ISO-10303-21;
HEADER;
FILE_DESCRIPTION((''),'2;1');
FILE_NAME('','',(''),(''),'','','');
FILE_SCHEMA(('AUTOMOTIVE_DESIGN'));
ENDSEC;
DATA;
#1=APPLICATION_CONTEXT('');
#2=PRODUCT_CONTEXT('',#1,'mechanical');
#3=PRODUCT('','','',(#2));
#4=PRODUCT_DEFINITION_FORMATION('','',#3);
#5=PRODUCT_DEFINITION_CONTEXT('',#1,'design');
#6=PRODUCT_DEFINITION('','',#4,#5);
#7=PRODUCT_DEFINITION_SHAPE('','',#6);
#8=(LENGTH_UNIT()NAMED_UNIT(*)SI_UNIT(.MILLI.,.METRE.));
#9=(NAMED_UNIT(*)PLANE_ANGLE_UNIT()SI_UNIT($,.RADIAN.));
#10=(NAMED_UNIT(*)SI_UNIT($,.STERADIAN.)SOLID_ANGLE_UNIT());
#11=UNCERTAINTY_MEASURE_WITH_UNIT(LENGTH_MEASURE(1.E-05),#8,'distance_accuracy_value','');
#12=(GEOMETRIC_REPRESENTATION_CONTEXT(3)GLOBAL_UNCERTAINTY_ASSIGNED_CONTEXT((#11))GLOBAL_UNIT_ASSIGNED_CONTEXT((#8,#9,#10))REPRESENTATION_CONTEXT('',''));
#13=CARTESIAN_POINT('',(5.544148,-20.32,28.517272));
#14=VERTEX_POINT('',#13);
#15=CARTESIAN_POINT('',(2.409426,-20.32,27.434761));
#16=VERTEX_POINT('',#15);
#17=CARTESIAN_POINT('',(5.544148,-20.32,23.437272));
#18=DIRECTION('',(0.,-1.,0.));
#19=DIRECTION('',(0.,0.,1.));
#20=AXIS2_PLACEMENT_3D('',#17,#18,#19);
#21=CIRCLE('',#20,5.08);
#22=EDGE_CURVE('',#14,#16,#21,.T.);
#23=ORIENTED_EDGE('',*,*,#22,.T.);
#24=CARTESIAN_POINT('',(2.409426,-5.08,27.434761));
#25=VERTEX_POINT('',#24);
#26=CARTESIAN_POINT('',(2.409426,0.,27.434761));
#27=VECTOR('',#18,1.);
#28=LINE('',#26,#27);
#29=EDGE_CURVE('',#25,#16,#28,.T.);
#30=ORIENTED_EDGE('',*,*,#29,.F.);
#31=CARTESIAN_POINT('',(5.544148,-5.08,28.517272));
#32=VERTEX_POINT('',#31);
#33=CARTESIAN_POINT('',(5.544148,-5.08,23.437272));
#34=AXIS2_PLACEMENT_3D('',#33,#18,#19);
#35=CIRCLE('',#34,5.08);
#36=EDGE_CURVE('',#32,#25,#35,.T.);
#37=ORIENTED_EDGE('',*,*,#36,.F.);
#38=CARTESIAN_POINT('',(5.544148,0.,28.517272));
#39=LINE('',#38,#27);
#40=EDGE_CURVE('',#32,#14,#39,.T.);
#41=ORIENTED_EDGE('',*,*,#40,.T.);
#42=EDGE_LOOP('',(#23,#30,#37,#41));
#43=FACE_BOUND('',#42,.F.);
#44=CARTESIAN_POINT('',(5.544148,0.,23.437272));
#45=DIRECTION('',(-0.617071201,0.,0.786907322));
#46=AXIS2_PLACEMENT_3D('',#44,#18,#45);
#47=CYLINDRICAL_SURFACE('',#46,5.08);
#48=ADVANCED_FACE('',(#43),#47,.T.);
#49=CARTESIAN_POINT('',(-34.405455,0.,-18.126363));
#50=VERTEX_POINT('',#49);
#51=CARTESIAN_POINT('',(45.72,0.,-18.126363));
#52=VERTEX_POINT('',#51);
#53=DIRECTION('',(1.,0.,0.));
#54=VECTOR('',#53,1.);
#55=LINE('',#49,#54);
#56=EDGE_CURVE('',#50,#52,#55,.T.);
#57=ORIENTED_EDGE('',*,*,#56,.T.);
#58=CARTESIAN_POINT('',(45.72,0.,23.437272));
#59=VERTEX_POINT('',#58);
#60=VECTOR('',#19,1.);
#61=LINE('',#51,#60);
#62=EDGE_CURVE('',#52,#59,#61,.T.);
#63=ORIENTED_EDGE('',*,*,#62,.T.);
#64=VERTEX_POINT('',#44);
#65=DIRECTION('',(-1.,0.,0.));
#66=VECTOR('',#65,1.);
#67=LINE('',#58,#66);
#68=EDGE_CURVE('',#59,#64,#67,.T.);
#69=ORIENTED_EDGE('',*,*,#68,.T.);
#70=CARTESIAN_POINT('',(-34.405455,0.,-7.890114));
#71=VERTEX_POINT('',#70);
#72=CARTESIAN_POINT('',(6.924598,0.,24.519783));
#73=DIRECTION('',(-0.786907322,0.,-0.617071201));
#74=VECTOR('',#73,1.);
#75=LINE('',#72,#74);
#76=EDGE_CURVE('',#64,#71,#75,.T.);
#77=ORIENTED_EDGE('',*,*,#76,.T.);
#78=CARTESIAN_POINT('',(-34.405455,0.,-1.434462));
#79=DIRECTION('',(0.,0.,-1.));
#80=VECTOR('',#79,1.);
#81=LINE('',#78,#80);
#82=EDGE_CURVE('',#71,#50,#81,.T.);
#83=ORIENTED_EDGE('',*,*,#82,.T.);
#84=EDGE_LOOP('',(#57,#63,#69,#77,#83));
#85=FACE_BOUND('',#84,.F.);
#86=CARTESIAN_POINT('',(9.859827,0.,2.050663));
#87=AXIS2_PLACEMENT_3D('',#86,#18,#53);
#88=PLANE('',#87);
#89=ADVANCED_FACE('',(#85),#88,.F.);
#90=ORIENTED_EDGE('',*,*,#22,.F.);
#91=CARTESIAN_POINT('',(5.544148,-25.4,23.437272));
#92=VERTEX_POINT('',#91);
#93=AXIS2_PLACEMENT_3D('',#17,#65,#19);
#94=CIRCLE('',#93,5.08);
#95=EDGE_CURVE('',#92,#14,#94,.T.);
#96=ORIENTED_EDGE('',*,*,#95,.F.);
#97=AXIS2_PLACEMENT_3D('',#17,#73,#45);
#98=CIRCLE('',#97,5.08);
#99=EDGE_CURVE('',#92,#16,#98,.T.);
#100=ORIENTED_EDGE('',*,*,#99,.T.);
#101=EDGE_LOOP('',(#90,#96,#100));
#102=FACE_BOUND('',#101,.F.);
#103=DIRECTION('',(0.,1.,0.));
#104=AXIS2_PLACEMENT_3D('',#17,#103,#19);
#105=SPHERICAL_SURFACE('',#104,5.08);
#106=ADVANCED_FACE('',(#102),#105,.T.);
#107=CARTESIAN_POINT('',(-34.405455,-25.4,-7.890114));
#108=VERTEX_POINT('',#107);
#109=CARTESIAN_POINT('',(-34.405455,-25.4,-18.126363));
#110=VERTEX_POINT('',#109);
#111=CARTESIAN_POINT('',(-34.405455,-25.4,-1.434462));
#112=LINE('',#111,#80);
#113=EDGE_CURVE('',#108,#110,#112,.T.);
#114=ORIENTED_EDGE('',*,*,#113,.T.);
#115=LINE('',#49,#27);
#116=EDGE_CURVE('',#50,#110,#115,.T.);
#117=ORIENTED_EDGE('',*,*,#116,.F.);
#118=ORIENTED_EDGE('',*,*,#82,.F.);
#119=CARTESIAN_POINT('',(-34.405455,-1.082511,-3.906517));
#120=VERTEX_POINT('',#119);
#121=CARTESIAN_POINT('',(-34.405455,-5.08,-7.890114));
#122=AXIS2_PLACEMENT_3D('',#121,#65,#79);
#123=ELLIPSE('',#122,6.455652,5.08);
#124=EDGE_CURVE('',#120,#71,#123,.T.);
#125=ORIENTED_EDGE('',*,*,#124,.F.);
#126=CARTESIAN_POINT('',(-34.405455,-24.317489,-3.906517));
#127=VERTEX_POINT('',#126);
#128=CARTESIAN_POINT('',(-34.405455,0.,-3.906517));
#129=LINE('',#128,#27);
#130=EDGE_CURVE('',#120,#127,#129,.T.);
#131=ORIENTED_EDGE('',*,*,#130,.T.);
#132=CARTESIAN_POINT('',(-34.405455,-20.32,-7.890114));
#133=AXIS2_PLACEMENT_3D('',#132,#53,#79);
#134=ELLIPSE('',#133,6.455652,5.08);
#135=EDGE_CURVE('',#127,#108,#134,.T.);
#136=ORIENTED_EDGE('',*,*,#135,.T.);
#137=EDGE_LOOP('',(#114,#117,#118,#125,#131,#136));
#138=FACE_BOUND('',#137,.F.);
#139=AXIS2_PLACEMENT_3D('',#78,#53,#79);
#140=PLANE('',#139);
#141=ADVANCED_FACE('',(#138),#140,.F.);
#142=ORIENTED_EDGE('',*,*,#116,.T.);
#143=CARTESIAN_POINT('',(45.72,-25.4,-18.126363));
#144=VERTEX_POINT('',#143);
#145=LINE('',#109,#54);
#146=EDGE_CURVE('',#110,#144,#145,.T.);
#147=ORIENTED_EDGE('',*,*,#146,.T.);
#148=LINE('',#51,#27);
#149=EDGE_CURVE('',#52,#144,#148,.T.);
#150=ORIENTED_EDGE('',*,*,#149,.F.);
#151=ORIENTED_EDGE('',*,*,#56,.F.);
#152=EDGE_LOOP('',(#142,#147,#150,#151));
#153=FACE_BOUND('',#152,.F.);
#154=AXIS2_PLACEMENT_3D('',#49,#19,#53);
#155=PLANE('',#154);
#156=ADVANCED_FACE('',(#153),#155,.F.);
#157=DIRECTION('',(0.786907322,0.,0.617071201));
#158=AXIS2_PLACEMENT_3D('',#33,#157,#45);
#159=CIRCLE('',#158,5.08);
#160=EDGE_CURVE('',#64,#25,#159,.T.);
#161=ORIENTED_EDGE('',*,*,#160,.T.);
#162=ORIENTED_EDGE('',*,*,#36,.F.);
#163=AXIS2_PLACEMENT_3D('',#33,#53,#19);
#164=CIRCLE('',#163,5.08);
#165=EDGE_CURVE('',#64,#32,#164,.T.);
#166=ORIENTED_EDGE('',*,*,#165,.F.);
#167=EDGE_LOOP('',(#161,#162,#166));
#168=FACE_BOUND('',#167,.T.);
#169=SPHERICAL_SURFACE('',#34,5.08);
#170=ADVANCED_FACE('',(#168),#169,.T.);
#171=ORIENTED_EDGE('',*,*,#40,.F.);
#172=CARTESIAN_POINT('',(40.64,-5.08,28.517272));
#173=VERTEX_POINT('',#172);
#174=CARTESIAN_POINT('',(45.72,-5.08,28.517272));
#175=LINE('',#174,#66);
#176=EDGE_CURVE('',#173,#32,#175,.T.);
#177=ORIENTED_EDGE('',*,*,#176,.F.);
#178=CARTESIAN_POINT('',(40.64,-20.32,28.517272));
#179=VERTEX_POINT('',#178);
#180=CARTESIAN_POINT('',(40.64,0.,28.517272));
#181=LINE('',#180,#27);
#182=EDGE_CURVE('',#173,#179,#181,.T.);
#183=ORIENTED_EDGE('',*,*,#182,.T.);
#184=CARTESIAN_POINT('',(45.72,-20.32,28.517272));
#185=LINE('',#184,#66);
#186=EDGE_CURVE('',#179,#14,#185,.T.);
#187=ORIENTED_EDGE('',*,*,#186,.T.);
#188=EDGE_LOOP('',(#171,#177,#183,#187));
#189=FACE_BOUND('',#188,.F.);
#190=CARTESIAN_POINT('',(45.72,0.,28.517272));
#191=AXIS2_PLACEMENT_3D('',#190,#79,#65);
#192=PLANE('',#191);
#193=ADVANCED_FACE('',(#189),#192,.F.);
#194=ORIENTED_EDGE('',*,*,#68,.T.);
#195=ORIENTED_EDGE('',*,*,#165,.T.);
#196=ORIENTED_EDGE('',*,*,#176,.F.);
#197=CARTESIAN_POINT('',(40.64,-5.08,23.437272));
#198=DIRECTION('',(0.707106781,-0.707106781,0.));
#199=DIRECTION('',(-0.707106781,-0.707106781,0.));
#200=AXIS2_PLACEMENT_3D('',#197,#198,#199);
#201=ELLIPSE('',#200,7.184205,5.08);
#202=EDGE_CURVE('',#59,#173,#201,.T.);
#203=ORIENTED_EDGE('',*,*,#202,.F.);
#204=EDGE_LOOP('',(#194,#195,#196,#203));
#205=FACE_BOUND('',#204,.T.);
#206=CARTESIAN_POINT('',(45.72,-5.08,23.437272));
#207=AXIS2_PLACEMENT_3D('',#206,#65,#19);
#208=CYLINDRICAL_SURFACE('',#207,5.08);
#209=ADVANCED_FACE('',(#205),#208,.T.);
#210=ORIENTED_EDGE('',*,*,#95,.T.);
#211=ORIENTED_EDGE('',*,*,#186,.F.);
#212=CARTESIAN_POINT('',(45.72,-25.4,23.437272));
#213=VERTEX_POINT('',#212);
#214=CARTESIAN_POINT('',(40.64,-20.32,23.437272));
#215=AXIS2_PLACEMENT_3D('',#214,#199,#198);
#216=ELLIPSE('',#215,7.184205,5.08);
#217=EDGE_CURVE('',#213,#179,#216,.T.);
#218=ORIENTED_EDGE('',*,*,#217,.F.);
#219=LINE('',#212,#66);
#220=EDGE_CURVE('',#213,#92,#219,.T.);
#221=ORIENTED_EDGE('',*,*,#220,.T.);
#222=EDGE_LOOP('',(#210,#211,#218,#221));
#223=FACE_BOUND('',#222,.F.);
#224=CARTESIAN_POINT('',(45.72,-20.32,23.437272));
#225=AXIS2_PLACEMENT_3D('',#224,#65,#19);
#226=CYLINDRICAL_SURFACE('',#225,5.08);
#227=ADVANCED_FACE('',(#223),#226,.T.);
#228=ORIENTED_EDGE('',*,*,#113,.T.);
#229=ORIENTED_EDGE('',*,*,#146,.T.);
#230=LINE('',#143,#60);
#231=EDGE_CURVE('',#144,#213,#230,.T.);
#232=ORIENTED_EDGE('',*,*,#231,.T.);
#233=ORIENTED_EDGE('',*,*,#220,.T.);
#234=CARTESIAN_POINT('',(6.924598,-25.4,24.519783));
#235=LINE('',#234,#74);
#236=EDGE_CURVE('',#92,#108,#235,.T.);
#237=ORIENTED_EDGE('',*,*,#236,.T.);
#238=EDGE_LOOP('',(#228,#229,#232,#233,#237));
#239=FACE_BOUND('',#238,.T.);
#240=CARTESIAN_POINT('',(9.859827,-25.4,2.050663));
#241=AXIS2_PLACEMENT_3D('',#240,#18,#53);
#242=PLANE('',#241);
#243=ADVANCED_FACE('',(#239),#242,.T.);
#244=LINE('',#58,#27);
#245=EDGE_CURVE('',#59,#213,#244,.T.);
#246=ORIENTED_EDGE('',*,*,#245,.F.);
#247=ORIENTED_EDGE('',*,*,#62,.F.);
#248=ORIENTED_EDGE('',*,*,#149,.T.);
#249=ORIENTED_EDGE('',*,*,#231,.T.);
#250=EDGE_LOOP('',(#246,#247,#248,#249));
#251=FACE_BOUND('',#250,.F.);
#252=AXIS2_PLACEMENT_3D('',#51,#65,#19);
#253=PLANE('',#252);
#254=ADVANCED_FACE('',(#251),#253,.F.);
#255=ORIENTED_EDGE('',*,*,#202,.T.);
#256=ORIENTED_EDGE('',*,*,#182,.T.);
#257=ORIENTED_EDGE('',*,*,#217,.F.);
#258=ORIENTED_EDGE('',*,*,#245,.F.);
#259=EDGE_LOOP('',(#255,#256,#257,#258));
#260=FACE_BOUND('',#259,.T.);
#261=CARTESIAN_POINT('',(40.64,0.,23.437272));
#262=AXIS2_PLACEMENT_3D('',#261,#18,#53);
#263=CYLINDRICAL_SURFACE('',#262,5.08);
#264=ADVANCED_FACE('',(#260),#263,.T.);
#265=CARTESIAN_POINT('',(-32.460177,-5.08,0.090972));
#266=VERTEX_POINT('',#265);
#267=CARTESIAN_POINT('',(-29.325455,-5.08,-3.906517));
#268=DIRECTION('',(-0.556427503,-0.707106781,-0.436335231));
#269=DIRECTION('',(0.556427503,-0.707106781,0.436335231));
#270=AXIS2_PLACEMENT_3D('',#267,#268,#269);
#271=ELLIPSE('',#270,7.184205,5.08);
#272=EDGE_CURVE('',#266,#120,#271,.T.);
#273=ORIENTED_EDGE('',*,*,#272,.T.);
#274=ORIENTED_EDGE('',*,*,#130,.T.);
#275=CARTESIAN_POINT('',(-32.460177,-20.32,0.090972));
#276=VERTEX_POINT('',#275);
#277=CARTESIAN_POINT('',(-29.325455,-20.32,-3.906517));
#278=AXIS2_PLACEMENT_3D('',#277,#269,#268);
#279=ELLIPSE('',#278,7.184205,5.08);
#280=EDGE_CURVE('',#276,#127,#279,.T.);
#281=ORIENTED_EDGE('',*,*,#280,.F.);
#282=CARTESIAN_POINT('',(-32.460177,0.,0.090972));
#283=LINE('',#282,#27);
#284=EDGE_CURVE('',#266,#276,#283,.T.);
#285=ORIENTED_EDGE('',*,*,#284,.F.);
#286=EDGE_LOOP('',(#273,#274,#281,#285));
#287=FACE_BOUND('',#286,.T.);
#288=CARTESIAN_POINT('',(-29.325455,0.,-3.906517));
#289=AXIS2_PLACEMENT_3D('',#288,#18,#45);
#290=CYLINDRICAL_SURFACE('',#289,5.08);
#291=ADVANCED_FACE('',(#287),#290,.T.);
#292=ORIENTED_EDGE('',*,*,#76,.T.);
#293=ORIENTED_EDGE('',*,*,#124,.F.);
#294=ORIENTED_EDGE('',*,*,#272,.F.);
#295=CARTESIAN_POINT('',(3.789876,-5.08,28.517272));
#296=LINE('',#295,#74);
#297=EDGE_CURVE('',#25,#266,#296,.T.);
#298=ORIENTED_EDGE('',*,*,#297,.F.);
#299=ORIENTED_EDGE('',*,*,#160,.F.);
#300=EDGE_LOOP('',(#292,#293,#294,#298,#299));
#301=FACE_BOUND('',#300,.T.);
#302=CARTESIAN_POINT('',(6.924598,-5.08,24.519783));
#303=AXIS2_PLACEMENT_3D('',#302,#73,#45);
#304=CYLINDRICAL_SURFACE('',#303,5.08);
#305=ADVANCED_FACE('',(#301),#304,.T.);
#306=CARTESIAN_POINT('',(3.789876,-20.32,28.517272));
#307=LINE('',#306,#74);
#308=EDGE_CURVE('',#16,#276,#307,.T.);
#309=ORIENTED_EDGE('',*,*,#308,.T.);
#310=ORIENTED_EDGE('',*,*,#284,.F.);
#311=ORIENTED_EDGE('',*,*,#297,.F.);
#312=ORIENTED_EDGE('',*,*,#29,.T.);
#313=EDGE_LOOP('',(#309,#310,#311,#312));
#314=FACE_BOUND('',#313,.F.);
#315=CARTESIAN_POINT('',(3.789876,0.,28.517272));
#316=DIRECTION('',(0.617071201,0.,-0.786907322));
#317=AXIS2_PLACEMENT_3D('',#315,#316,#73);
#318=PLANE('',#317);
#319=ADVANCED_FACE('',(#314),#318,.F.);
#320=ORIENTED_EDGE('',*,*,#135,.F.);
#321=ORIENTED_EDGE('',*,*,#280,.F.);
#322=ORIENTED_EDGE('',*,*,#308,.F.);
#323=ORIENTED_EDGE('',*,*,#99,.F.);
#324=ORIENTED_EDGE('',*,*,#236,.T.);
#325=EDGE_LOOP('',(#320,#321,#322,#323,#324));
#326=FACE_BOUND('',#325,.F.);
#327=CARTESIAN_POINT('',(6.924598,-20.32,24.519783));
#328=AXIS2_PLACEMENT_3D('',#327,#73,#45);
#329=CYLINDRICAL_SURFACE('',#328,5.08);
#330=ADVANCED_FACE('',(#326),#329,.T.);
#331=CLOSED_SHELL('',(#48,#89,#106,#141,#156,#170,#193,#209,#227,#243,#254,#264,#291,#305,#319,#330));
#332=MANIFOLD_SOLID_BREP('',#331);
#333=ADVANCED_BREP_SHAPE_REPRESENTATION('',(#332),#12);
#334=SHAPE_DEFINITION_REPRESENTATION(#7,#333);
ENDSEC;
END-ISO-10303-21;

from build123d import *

# Parameters (mm, degrees)
F1_DEPTH = 25.4
F2_R     = 5.08


with BuildPart() as f1:
    # F0 (on Front) → F1 (new body)
    with BuildSketch(Plane.XZ):
        Polygon((3.789876, 28.517272), (-34.405455, -1.434462), (-34.405455, -18.126363), (45.72, -18.126363), (45.72, 28.517272), align=None)
    extrude(amount=F1_DEPTH)

    # F2
    f2_edges = [f1.edges().sort_by_distance(p)[0] for p in [
        (45.72, -12.7, 28.517272),
        (3.789876, -12.7, 28.517272),
        (24.754938, 0, 28.517272),
        (24.754938, -25.4, 28.517272),
        (-34.405455, -12.7, -1.434462),
        (-15.30779, 0, 13.541405),
        (-15.30779, -25.4, 13.541405),
    ]]
    fillet(f2_edges, radius=F2_R)


solid = f1.part
